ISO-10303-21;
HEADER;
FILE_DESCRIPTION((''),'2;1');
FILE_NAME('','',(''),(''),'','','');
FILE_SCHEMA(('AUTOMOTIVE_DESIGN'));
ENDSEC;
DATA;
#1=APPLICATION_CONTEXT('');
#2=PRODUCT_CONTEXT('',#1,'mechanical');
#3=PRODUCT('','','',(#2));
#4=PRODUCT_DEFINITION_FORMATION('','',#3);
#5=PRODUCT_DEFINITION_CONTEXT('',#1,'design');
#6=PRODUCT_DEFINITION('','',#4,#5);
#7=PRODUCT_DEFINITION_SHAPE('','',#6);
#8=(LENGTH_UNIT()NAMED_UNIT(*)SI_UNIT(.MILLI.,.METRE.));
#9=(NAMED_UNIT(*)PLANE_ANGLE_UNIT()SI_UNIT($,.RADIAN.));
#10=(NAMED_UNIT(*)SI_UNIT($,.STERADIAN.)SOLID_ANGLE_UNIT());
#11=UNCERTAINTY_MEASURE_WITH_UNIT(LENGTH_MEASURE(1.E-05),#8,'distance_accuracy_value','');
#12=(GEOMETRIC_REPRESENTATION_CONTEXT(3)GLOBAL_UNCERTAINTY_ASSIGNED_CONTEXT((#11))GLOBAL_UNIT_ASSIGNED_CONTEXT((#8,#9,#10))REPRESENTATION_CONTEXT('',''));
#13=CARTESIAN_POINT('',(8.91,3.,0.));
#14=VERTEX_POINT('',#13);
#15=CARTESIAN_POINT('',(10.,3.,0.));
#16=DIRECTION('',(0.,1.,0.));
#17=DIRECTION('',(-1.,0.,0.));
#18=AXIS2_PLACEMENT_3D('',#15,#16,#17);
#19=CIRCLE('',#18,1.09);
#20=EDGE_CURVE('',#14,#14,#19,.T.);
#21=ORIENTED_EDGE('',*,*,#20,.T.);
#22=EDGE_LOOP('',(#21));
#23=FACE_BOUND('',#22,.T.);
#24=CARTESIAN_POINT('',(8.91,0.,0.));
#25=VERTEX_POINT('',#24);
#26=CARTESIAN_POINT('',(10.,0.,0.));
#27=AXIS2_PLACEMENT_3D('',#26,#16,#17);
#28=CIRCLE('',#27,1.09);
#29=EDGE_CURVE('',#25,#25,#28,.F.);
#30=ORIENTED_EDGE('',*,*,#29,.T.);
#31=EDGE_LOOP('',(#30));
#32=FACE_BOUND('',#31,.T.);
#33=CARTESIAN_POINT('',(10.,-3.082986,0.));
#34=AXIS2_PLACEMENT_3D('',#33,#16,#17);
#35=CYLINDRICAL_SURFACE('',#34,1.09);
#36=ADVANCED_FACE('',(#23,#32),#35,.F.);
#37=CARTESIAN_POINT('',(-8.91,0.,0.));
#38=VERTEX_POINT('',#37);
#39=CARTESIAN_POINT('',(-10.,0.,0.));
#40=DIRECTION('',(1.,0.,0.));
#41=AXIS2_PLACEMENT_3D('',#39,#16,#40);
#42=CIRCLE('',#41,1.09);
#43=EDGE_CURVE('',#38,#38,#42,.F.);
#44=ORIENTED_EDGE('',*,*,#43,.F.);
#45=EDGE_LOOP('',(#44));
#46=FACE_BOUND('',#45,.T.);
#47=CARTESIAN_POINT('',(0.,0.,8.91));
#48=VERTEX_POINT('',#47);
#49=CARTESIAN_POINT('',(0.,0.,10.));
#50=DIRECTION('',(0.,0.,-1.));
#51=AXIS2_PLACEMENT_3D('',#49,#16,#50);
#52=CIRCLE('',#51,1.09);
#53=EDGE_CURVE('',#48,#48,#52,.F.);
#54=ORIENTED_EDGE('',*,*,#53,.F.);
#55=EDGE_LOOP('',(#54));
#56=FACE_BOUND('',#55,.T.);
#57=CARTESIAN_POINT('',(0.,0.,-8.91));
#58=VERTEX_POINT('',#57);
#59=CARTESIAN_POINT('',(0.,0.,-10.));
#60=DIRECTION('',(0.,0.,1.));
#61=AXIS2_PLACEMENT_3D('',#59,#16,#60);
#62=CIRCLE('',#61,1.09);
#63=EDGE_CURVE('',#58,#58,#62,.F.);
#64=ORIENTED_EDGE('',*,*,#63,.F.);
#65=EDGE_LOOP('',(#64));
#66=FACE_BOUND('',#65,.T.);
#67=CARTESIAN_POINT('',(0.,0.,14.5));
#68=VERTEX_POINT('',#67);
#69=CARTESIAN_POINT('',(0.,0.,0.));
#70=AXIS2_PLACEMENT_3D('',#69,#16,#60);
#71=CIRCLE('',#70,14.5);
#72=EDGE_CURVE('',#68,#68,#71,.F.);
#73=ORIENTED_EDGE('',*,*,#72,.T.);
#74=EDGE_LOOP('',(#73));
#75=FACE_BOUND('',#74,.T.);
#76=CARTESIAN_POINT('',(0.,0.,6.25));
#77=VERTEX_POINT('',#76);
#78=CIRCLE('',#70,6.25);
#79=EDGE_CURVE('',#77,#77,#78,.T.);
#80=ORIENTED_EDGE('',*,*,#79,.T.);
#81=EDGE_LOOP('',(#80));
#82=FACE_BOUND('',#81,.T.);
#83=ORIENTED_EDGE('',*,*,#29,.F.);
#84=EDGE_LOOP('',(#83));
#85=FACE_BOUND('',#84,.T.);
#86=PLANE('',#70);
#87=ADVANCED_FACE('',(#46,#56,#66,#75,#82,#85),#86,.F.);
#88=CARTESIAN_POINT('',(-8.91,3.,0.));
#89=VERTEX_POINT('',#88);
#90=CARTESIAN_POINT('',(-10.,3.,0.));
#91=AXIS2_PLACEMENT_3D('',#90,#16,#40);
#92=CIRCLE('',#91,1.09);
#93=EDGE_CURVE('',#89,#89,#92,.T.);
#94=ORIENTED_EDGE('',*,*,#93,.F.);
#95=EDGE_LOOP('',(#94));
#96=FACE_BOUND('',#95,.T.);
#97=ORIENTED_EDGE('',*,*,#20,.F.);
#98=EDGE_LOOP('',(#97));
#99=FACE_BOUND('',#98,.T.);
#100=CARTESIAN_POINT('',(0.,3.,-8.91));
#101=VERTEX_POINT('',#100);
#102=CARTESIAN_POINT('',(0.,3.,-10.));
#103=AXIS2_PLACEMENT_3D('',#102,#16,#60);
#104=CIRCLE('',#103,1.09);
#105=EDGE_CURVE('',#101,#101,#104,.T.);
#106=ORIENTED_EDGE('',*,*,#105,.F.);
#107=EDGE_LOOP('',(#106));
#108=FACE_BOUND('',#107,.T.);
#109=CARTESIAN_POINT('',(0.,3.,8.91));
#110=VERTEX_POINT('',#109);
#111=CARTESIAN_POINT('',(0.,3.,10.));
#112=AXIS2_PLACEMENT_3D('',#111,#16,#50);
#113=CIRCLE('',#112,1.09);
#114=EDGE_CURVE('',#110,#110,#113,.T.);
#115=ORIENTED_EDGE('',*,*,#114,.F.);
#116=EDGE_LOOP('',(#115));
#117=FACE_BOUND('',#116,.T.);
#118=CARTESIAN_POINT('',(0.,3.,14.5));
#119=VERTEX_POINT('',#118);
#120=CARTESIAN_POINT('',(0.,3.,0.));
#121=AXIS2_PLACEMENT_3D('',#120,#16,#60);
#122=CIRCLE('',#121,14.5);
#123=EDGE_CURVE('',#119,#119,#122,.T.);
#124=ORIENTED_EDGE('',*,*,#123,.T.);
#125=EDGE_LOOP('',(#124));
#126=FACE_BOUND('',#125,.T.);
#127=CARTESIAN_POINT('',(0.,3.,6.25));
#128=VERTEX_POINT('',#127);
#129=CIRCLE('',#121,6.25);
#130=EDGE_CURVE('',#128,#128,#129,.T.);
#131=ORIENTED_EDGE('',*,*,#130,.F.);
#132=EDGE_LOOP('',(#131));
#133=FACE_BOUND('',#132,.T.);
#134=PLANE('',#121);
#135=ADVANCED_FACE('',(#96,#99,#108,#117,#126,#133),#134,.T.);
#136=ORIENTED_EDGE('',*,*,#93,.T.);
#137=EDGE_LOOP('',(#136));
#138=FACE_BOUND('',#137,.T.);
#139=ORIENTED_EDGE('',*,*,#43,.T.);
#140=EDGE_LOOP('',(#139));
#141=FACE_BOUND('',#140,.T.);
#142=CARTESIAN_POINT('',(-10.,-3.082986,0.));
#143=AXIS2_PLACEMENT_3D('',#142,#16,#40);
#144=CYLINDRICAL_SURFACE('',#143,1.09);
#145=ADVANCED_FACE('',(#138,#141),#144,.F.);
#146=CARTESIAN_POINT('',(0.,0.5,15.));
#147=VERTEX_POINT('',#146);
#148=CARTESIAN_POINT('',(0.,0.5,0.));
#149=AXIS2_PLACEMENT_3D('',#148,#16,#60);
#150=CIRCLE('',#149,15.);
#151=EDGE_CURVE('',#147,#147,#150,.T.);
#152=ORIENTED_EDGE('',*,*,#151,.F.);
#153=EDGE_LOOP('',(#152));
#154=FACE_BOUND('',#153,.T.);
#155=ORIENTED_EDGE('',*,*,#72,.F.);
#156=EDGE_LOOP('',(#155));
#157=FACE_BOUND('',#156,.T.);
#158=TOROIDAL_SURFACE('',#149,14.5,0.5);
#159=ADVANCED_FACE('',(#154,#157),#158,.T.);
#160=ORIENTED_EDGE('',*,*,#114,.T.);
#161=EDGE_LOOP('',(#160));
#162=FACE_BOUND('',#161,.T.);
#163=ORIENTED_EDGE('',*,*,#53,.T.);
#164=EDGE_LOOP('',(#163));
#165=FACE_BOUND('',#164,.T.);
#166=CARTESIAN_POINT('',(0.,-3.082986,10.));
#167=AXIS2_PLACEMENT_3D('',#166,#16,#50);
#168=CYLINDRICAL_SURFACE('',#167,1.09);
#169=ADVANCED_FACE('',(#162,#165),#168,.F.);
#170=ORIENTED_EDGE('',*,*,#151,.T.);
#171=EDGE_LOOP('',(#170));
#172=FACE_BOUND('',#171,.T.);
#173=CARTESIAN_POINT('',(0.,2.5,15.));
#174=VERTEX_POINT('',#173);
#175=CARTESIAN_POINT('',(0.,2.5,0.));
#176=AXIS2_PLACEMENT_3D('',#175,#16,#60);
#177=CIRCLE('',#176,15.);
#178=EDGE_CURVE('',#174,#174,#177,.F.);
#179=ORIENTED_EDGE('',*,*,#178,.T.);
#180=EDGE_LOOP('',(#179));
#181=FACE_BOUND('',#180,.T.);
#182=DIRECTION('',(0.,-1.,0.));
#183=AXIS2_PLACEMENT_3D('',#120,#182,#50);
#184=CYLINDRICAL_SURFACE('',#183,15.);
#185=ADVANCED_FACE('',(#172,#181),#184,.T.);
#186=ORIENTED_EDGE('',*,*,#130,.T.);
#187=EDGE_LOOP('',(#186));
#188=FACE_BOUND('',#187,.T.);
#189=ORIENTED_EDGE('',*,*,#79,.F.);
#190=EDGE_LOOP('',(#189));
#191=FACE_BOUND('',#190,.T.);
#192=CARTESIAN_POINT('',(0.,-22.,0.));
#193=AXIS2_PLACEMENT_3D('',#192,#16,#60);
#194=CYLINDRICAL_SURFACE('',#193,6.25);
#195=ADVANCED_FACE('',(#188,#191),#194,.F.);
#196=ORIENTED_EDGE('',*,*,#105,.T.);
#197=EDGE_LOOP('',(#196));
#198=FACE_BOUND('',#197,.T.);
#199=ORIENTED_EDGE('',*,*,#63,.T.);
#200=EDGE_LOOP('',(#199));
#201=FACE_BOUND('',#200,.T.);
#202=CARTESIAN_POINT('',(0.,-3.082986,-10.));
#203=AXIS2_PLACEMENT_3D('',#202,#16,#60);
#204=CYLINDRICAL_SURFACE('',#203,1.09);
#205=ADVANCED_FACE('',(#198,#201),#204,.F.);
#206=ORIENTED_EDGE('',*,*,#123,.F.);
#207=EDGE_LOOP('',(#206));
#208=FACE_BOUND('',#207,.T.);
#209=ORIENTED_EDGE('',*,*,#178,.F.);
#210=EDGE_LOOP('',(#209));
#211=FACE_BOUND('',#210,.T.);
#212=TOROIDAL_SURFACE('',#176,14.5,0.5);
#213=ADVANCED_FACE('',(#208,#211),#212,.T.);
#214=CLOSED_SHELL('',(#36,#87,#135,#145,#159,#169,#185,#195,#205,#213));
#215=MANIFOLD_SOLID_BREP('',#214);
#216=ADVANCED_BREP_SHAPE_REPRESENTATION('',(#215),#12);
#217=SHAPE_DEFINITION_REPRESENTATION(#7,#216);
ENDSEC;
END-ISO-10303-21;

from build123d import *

# Parameters (mm, degrees)
SKETCH1_R           = 15
BOSS_EXTRUDE1_DEPTH = 3
SKETCH2_R           = 1.09
CUT_EXTRUDE1_DEPTH  = 3
CIRPATTERN1_COUNT   = 4
FILLET1_R           = 0.5
SKETCH5_R           = 6.25
CUT_EXTRUDE2_DEPTH  = 25


with BuildPart() as part:
    # Sketch1 → Boss-Extrude1 (new body)
    with BuildSketch(Plane(origin=(0, 0, 0), x_dir=(1, 0, 0), z_dir=(0, 1, 0))):
        with Locations(Location((0, 0, 0), (0, 0, 270))):
            Circle(SKETCH1_R)
    extrude(amount=BOSS_EXTRUDE1_DEPTH)

    # Sketch2 → Cut-Extrude1 (cut)
    with BuildSketch(Plane(origin=(0, 3, 0), x_dir=(1, 0, 0), z_dir=(0, 1, 0))):
        with Locations(Location((0, 10, 0), (0, 0, 270))):
            Circle(SKETCH2_R)
    cut_extrude1 = extrude(amount=-CUT_EXTRUDE1_DEPTH, mode=Mode.SUBTRACT)

    # CirPattern1: Cut-Extrude1 ×4 about axis
    cirpattern1_axis = Axis((0, 0, 0), (0, 1, 0))
    for i in range(1, CIRPATTERN1_COUNT):
        add(cut_extrude1.rotate(cirpattern1_axis, i * 360 / CIRPATTERN1_COUNT), mode=Mode.SUBTRACT)

    # Fillet1
    fillet1_edges = [part.edges().sort_by_distance(p)[0] for p in [
        (0, 0, -15),
        (0, 3, -15),
    ]]
    fillet(fillet1_edges, radius=FILLET1_R)

    # Sketch5 → Cut-Extrude2 (cut, symmetric)
    with BuildSketch(Plane(origin=(0, 3, 0), x_dir=(1, 0, 0), z_dir=(0, 1, 0))):
        with Locations(Location((0, 0, 0), (0, 0, 270))):
            Circle(SKETCH5_R)
    extrude(amount=CUT_EXTRUDE2_DEPTH, both=True, mode=Mode.SUBTRACT)


solid = part.part
